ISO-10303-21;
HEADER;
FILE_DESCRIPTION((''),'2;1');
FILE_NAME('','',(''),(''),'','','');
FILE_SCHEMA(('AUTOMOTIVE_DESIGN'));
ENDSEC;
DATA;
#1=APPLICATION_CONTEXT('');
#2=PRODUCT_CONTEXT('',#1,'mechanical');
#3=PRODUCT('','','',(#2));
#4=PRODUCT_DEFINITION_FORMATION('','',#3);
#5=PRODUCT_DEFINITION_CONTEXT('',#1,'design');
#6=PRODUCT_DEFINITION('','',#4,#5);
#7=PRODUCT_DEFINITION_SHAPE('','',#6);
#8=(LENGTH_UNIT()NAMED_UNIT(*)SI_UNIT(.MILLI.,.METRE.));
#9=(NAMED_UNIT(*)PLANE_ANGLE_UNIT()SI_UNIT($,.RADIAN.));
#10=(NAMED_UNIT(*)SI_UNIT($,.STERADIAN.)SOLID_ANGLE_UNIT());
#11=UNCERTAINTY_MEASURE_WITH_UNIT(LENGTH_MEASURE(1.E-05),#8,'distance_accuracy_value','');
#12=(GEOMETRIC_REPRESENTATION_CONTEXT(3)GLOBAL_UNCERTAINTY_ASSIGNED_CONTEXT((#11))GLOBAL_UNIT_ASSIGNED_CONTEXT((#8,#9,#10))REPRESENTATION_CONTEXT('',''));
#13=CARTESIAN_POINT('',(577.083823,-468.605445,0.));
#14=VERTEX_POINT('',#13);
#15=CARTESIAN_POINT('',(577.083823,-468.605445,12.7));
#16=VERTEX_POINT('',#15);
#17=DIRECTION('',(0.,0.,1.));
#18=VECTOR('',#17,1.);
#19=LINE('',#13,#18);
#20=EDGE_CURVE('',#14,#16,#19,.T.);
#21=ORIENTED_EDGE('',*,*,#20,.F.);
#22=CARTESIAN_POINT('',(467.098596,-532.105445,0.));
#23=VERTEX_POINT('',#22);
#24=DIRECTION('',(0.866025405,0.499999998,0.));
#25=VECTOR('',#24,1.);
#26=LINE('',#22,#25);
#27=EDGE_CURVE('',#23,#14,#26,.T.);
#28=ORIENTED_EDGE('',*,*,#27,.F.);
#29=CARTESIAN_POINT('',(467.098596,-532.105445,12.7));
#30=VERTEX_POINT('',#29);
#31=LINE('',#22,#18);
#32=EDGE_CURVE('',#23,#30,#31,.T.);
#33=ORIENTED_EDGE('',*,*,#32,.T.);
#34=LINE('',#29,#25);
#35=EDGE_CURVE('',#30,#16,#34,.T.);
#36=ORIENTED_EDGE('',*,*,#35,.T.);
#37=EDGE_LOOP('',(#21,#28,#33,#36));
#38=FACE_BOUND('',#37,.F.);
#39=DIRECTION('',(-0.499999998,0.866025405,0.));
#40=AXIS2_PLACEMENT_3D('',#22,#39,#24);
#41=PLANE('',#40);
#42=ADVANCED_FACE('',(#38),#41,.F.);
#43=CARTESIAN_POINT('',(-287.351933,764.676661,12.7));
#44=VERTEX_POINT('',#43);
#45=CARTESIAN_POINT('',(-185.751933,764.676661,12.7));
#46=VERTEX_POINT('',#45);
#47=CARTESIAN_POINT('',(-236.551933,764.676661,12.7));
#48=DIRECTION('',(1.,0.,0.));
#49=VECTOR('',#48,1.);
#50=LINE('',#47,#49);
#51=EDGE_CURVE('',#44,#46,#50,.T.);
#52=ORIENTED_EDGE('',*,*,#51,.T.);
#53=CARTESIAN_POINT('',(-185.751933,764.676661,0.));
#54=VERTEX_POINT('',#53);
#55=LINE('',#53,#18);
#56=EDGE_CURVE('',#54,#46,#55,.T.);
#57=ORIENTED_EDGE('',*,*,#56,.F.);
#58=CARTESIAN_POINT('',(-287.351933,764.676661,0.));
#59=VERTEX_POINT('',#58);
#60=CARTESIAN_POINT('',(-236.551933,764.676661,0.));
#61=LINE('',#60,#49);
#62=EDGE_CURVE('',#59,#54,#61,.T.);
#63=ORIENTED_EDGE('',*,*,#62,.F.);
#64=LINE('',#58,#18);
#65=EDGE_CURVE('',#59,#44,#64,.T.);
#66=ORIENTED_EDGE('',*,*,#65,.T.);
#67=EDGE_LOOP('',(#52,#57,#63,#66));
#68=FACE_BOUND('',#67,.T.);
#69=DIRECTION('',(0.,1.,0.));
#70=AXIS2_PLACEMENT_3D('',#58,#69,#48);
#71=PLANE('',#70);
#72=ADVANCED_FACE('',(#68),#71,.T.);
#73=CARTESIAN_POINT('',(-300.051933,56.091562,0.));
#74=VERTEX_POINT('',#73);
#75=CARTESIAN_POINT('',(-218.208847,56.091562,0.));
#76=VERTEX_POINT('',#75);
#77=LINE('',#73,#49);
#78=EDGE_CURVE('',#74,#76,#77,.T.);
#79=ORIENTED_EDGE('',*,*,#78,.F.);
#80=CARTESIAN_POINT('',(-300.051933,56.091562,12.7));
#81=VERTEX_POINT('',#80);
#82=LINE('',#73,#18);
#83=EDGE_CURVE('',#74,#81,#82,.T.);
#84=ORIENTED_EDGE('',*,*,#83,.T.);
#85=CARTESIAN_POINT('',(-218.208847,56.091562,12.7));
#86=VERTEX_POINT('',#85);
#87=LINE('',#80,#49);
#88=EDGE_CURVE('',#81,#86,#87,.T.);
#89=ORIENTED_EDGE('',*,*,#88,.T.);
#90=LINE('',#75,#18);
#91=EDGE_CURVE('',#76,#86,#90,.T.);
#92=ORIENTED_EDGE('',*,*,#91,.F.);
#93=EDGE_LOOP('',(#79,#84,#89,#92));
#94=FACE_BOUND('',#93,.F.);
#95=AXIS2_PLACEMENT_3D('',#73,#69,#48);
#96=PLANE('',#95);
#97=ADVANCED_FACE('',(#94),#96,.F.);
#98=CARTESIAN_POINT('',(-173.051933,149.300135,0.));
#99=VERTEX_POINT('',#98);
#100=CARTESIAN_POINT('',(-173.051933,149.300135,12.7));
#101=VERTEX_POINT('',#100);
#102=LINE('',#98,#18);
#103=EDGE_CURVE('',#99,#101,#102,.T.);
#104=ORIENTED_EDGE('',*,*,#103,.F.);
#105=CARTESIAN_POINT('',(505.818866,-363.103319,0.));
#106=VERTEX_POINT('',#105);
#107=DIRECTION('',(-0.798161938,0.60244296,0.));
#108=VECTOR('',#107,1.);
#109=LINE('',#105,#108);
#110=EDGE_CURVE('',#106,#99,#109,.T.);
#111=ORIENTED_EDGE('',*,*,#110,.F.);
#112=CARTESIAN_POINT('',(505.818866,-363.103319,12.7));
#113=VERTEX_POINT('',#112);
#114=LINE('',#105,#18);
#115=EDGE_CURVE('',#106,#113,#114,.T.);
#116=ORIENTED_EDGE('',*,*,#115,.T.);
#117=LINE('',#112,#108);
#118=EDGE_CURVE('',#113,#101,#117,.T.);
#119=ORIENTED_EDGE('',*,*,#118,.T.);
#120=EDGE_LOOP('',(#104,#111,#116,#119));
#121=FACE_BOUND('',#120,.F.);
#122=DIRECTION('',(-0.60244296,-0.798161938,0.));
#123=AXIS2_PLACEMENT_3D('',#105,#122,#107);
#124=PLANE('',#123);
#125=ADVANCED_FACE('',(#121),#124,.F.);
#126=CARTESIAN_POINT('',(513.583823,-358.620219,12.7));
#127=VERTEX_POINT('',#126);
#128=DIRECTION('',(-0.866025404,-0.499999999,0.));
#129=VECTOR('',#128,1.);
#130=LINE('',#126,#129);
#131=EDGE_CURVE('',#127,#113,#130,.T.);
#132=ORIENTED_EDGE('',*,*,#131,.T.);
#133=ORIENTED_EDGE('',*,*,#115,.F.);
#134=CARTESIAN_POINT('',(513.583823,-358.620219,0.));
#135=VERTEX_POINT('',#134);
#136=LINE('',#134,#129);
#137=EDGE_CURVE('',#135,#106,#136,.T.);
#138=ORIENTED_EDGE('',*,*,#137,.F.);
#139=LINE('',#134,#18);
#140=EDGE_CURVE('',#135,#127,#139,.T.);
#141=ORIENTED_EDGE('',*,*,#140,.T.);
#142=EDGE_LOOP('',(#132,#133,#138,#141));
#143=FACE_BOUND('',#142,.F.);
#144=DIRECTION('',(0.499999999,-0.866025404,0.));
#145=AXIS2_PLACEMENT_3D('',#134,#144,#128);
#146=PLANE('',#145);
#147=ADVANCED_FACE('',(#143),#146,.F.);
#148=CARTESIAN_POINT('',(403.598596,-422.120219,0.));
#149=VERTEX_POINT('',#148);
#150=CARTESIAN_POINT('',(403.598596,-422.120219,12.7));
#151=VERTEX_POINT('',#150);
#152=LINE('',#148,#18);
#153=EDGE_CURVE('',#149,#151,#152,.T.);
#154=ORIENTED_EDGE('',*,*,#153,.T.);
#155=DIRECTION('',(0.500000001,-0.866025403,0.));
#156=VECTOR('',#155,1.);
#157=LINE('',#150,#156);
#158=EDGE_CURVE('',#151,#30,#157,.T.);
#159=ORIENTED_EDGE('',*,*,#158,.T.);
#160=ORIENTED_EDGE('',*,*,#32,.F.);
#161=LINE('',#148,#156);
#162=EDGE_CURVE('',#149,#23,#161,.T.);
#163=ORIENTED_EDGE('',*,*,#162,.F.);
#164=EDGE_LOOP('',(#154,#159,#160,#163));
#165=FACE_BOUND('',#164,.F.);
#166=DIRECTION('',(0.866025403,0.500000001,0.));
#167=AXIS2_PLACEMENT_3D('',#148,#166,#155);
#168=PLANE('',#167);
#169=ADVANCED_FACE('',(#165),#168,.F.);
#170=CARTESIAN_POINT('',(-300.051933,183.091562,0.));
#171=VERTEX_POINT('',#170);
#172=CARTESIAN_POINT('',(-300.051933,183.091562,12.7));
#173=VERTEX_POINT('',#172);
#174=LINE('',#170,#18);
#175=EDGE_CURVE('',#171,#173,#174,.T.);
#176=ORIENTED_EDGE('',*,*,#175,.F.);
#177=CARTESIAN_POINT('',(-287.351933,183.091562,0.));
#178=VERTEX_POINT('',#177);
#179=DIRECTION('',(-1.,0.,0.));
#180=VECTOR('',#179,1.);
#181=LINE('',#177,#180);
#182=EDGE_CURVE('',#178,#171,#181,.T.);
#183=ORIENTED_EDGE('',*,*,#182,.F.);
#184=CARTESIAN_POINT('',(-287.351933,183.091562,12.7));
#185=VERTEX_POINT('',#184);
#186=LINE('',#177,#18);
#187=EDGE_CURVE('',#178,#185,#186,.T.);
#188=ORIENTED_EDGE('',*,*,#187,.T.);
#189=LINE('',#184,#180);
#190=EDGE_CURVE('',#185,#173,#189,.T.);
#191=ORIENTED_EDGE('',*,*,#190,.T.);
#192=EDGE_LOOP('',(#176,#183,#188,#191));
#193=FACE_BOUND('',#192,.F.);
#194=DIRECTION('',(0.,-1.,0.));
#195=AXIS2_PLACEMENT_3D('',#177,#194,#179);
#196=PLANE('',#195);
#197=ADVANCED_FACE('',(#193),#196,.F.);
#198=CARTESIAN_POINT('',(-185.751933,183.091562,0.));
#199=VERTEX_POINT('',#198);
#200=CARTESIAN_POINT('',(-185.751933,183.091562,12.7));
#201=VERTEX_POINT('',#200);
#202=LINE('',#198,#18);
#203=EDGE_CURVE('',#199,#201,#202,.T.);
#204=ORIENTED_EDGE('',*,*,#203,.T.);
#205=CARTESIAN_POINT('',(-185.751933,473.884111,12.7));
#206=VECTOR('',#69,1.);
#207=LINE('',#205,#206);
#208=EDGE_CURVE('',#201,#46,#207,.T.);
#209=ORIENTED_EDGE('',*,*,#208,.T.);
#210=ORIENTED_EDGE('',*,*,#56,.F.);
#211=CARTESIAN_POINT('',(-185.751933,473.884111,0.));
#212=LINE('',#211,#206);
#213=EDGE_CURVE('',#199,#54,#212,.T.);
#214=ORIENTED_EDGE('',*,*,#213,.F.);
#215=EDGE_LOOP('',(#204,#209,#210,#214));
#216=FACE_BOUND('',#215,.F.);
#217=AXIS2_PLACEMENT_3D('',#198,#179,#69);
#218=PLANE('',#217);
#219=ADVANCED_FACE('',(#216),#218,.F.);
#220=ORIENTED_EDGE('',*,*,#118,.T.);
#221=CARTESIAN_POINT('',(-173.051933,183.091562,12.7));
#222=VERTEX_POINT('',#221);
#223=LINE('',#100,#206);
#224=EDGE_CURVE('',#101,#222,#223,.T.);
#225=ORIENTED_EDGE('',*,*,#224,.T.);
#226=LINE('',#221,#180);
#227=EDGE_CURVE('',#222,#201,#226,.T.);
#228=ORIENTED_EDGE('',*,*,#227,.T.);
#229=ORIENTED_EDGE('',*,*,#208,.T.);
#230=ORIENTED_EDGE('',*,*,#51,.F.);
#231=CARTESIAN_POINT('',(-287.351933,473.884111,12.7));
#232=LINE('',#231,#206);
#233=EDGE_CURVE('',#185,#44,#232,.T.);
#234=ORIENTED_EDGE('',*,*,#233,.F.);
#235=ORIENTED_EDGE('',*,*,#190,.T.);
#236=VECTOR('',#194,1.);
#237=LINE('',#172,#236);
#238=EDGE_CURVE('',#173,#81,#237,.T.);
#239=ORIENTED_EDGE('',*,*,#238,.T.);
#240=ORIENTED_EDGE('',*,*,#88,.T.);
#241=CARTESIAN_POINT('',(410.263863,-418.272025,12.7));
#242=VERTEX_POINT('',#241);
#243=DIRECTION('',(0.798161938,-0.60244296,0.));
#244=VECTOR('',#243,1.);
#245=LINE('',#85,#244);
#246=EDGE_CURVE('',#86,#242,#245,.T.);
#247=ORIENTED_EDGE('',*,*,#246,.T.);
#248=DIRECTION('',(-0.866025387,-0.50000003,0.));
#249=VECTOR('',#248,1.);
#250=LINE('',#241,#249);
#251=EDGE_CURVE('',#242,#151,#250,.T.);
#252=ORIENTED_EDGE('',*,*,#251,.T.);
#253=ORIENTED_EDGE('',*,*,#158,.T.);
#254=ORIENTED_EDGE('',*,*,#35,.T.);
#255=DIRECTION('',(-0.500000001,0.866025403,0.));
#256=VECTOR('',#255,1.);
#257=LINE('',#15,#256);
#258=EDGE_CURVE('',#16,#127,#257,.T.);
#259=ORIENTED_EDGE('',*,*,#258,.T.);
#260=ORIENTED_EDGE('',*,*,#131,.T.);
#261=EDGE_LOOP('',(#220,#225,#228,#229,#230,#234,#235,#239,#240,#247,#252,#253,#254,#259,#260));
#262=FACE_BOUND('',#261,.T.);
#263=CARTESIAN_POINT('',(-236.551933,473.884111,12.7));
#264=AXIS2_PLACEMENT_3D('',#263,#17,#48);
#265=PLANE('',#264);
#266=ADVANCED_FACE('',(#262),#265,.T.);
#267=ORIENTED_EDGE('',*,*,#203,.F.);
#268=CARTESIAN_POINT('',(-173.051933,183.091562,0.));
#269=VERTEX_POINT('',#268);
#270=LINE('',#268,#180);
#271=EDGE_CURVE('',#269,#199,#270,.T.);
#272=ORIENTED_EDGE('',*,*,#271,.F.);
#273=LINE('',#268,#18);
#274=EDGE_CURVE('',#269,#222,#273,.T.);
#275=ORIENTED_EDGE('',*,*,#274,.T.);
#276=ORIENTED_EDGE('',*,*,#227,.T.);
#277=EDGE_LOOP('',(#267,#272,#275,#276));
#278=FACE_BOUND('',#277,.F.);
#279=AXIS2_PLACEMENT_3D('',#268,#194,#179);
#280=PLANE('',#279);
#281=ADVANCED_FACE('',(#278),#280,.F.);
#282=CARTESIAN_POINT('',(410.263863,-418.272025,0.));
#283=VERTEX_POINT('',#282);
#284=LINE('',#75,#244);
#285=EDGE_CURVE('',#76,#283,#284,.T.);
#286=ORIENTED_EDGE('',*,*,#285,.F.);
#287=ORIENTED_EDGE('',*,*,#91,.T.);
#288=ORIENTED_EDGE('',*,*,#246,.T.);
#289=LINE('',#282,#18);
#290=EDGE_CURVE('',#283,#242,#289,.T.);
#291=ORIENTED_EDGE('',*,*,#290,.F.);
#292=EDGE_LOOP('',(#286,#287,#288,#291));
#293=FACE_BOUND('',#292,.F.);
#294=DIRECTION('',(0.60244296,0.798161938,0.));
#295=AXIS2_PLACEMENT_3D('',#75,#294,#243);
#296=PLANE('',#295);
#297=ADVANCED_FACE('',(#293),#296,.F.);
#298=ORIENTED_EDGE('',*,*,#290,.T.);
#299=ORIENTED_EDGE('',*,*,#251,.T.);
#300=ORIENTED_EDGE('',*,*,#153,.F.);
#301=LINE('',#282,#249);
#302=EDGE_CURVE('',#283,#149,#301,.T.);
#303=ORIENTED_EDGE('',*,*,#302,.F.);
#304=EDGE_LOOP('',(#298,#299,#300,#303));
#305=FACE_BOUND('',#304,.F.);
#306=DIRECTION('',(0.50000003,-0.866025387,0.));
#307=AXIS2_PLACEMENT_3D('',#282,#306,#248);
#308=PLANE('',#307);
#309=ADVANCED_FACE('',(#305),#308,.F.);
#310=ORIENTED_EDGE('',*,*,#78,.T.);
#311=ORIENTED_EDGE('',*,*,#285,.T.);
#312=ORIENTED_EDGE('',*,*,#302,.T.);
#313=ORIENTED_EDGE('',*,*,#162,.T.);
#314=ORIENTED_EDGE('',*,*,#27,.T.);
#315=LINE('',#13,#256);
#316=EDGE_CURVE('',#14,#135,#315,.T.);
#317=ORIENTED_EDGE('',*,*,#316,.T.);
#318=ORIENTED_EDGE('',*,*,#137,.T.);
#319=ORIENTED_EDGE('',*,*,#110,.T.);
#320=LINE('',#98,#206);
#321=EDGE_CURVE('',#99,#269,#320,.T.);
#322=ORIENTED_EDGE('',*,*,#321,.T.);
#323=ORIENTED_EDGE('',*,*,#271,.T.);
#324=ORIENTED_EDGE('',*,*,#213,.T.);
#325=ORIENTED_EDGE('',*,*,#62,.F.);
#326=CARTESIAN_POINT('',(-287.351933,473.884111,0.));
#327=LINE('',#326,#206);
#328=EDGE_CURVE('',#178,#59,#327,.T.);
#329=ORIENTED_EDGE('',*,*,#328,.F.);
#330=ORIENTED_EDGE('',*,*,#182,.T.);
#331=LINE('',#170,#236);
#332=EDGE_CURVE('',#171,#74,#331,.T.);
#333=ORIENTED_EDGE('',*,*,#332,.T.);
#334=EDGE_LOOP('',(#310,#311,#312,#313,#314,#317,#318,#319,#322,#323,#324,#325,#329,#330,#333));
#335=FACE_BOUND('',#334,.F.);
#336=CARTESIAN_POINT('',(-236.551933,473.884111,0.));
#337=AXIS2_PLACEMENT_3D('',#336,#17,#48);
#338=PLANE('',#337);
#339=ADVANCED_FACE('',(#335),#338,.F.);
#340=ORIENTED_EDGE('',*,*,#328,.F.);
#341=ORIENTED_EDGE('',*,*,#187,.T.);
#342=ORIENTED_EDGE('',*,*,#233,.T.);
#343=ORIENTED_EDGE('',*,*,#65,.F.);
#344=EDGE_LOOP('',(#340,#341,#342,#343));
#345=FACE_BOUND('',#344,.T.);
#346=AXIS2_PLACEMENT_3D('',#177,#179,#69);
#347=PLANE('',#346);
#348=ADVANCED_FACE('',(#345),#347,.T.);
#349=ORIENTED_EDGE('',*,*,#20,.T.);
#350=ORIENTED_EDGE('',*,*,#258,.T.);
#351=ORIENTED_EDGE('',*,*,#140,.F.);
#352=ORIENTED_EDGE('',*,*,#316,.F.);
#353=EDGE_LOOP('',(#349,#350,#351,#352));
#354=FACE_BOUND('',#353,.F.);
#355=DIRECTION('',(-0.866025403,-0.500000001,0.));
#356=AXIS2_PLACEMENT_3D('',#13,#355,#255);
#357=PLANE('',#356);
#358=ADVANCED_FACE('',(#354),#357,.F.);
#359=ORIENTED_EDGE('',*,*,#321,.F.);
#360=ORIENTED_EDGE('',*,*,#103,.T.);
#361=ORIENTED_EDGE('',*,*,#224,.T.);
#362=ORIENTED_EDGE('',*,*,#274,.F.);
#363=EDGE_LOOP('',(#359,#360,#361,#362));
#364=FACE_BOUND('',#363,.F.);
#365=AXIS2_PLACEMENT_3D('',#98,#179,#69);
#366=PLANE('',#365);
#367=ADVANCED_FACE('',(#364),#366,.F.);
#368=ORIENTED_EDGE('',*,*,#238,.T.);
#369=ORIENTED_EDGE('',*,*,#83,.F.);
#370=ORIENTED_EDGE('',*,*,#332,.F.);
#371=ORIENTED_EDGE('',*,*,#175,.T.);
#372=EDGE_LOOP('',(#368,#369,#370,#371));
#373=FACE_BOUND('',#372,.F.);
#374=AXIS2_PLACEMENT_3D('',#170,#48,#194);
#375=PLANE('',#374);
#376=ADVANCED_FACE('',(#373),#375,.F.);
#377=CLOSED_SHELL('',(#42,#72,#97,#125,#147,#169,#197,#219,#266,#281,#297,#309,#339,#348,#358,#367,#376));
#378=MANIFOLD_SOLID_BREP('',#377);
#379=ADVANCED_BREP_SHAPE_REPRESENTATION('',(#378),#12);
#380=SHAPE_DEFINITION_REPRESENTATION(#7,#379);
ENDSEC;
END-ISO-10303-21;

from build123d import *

# Parameters (mm, degrees)
F0_W     = 101.6
F0_H     = 581.585099
F1_DEPTH = 12.7


with BuildPart() as f1:
    # F0 (on Top) → F1 (new body)
    with BuildSketch(Plane.XY):
        with Locations((-236.551933, 473.884111)):
            Rectangle(F0_W, F0_H)
        Polygon((-185.751933, 183.091562), (-287.351933, 183.091562), (-300.051933, 183.091562), (-300.051933, 56.091562), (-218.208847, 56.091562), (410.263863, -418.272025), (505.818866, -363.103319), (-173.051933, 149.300135), (-173.051933, 183.091562), align=None)
        Polygon((513.583823, -358.620219), (505.818866, -363.103319), (410.263863, -418.272025), (403.598596, -422.120219), (467.098596, -532.105445), (577.083823, -468.605445), align=None)
    extrude(amount=F1_DEPTH)


solid = f1.part
